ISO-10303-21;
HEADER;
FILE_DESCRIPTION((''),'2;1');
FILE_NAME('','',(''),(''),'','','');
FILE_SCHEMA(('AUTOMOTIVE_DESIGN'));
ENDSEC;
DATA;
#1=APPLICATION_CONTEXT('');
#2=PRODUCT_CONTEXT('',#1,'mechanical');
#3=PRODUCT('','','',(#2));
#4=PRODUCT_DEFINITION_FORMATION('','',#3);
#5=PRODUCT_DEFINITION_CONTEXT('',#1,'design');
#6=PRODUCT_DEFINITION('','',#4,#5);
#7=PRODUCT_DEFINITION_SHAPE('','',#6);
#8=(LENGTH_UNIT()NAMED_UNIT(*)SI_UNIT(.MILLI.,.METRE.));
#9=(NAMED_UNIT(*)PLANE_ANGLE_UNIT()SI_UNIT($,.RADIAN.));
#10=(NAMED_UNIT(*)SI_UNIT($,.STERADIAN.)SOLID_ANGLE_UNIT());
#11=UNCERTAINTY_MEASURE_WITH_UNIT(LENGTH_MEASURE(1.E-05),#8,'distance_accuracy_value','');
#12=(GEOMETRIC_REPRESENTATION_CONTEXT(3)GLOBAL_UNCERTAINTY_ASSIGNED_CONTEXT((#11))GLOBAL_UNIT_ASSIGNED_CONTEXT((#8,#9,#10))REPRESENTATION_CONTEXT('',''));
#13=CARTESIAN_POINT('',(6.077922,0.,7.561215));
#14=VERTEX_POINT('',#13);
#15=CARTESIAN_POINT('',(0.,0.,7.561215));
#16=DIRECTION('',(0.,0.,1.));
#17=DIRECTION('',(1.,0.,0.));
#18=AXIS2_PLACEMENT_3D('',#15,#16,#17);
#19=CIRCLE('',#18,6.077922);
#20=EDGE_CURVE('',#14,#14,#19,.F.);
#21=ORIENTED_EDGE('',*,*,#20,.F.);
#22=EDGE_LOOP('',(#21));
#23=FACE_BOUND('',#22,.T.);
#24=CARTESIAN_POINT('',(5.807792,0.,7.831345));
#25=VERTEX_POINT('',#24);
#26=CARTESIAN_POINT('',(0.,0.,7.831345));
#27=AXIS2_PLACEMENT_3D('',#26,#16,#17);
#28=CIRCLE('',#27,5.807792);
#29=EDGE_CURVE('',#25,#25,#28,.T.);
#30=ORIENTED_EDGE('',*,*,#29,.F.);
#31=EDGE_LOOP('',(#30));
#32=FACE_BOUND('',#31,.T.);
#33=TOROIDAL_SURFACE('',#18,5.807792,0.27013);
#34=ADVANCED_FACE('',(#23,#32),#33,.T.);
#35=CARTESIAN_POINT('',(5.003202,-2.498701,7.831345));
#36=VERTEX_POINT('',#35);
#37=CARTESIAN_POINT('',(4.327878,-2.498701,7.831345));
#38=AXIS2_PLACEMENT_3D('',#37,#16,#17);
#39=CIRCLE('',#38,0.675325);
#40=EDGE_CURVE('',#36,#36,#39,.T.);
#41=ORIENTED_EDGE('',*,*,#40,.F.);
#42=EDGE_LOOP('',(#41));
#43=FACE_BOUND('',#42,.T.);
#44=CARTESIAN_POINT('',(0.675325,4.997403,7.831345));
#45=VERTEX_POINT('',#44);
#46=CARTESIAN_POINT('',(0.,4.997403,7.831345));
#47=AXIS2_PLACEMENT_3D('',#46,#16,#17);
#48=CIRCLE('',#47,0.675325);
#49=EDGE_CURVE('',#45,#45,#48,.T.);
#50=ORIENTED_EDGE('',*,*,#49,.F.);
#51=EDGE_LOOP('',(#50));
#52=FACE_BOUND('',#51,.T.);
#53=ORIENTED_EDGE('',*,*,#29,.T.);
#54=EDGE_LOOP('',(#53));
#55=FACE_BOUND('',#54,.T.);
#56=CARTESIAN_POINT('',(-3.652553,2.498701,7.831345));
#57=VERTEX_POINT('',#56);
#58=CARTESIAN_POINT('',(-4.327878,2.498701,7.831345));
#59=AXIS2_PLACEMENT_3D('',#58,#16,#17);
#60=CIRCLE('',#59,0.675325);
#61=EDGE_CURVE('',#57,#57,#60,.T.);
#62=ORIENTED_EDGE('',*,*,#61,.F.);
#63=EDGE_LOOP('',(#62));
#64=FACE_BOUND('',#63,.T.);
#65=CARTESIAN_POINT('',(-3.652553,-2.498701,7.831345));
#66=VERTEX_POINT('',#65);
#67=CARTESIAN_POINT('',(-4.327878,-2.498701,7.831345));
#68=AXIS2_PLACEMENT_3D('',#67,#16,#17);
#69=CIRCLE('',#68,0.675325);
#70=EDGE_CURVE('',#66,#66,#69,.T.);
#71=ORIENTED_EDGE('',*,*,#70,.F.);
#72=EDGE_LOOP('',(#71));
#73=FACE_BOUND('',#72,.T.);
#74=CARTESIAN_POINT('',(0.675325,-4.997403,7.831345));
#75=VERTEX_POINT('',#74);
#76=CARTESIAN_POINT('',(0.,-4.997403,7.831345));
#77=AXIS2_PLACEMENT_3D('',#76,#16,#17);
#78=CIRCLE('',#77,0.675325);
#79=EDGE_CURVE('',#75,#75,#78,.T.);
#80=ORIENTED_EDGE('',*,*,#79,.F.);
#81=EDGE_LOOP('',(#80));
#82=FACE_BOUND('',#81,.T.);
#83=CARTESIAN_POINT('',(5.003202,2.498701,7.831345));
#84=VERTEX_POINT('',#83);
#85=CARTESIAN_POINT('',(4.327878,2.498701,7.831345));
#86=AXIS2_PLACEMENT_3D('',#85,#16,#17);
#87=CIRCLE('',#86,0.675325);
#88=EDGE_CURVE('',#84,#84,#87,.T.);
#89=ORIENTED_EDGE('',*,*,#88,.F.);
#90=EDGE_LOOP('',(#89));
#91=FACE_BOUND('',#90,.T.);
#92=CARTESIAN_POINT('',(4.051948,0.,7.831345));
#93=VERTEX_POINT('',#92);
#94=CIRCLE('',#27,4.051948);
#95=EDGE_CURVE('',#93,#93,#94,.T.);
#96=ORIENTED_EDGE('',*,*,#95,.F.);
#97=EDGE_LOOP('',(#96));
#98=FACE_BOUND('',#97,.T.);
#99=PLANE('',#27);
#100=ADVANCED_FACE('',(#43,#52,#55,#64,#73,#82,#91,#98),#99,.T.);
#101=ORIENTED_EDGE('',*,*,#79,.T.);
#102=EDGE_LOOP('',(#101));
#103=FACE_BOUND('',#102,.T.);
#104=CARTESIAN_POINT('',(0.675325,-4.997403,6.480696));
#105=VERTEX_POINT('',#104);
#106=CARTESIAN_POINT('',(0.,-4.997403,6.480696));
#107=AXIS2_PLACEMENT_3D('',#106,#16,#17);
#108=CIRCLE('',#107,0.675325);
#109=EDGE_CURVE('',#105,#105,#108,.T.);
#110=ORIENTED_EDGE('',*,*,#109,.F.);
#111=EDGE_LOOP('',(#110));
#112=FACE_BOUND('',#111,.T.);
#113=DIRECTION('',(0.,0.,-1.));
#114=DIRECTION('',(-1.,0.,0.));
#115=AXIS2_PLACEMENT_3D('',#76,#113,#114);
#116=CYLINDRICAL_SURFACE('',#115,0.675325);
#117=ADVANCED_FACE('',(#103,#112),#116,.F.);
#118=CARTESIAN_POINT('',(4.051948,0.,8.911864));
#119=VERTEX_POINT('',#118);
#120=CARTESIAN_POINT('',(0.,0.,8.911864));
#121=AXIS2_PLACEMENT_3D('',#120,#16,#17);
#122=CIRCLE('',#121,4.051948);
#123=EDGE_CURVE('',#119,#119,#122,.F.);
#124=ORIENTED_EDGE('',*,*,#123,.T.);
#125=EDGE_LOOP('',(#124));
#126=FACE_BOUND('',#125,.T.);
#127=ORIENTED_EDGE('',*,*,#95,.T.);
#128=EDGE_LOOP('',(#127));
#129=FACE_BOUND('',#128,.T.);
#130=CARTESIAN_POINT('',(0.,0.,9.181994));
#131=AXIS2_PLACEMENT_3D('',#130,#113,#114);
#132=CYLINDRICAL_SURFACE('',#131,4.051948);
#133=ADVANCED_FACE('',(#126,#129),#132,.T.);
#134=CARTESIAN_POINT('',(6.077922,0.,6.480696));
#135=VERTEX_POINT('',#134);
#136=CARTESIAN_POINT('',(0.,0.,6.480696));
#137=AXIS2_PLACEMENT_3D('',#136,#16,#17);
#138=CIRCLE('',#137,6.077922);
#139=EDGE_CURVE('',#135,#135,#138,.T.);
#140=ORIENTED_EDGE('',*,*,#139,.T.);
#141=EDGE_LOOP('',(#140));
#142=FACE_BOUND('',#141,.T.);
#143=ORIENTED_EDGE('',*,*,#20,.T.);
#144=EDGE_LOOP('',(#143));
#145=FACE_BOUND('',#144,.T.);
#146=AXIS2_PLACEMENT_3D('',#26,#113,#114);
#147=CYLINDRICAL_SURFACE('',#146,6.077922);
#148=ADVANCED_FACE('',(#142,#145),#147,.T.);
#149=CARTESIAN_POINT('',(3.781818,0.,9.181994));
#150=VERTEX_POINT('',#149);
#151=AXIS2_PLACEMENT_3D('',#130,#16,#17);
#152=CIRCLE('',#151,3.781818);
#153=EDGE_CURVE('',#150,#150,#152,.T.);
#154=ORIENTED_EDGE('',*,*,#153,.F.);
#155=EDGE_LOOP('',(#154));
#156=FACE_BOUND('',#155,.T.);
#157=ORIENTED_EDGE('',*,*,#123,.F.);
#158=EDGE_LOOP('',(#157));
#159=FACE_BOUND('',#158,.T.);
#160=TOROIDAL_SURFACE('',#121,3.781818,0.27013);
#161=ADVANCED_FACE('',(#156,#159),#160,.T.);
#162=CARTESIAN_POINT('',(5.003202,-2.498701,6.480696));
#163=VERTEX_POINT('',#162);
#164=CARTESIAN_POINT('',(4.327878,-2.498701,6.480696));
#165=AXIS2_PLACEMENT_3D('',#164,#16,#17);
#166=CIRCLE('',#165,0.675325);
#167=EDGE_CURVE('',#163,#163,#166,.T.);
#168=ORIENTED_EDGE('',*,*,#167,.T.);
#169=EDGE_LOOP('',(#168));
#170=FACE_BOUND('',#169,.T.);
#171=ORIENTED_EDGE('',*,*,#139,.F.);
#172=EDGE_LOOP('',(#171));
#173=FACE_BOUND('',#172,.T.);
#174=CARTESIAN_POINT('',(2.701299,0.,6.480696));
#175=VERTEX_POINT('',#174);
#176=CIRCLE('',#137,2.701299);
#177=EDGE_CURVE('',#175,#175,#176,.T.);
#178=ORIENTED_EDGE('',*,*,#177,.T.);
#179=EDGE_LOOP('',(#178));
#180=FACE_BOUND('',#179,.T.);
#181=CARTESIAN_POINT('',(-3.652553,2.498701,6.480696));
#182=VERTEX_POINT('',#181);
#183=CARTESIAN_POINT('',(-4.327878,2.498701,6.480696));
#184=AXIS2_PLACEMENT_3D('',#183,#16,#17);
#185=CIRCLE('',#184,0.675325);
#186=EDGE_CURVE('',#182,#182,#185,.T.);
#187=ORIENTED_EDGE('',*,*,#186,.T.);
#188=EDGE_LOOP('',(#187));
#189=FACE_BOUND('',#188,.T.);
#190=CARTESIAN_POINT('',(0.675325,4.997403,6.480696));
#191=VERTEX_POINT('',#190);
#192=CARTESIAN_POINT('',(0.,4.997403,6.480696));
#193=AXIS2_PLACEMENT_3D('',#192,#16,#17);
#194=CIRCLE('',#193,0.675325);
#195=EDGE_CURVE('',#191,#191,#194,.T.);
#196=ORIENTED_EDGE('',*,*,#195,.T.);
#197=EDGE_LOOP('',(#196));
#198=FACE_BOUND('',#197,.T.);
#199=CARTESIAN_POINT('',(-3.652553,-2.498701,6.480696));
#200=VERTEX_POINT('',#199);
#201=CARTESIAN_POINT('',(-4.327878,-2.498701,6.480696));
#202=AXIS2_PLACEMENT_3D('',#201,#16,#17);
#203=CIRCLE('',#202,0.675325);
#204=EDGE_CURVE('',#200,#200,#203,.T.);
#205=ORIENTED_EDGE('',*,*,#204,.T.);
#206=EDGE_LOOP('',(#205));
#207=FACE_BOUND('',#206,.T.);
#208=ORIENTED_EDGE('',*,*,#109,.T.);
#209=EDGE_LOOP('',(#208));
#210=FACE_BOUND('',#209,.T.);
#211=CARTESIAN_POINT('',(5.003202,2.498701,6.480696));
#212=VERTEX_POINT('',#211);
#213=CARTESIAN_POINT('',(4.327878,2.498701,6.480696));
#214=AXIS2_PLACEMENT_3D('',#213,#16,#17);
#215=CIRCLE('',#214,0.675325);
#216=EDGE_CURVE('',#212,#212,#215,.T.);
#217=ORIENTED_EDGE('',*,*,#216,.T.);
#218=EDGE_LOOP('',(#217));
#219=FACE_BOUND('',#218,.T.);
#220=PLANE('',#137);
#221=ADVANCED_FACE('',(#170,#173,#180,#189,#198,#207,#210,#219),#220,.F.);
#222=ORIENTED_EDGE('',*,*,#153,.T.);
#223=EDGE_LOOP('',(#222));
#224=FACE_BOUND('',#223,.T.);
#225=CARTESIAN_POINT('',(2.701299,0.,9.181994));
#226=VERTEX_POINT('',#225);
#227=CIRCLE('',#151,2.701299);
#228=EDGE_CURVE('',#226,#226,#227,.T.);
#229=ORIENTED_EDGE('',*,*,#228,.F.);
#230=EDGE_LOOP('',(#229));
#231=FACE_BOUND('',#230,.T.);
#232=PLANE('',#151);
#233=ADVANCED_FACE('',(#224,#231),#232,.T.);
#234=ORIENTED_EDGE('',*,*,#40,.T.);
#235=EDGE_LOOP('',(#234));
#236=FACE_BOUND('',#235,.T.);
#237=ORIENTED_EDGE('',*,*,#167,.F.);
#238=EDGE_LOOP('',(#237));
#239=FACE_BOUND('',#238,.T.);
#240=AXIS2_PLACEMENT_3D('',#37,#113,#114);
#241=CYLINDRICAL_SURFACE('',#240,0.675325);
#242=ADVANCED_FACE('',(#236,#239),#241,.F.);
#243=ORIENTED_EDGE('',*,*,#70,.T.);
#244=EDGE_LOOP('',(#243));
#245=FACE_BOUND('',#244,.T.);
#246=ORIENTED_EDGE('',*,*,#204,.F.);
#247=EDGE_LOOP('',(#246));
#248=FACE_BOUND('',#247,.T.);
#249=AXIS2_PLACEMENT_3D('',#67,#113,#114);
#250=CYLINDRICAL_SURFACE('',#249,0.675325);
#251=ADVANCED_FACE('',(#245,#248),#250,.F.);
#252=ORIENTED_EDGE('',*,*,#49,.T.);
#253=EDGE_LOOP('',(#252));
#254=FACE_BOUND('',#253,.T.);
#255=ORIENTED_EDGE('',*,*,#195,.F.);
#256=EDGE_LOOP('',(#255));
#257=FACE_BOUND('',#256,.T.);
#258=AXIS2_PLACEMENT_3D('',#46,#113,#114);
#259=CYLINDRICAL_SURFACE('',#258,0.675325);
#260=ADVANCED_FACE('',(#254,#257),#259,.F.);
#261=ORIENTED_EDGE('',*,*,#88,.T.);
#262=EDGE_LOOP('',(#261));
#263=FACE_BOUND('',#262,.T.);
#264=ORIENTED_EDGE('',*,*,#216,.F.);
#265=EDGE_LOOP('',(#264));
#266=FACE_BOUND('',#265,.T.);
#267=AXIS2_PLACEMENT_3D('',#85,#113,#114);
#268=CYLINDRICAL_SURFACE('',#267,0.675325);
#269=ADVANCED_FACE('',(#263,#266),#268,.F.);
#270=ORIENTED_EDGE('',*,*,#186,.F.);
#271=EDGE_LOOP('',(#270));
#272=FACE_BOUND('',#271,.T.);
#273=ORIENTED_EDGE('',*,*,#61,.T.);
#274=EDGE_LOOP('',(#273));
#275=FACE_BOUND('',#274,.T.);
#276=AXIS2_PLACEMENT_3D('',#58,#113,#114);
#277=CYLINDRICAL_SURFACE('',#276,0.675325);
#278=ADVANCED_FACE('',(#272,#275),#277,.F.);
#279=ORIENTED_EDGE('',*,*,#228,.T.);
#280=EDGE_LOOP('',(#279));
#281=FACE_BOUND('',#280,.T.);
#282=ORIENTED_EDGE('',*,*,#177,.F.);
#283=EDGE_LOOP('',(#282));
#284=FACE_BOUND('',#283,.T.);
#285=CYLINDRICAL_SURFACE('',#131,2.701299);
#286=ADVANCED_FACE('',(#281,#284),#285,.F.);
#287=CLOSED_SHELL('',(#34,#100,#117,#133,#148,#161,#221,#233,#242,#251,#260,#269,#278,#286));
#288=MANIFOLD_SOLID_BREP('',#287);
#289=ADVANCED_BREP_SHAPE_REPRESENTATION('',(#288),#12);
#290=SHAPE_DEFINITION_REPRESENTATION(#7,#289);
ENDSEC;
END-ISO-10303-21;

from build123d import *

# Parameters (mm, degrees)
SKETCH1_R           = 45
SKETCH1_R_2         = 5
SKETCH1_R_3         = 30
BOSS_EXTRUDE1_DEPTH = 10
SKETCH1_3_R         = 30
SKETCH1_3_R_2       = 20
BOSS_EXTRUDE2_DEPTH = 20
FILLET1_R           = 2
SCALE_1_SCALE       = 0.135064935


with BuildPart() as part:
    # Sketch1 → Boss-Extrude1 (new body)
    with BuildSketch(Plane.XY):
        Circle(SKETCH1_R)
        with Locations((0, -37)):
            Circle(SKETCH1_R_2, mode=Mode.SUBTRACT)
        with Locations((-32.04293994, -18.5)):
            Circle(SKETCH1_R_2, mode=Mode.SUBTRACT)
        with Locations((32.04293994, -18.5)):
            Circle(SKETCH1_R_2, mode=Mode.SUBTRACT)
        with Locations((-32.04293994, 18.5)):
            Circle(SKETCH1_R_2, mode=Mode.SUBTRACT)
        Circle(SKETCH1_R_3, mode=Mode.SUBTRACT)
        with Locations((32.04293994, 18.5)):
            Circle(SKETCH1_R_2, mode=Mode.SUBTRACT)
        with Locations((0, 37)):
            Circle(SKETCH1_R_2, mode=Mode.SUBTRACT)
    extrude(amount=BOSS_EXTRUDE1_DEPTH)

    # Sketch1<3> → Boss-Extrude2 (add)
    with BuildSketch(Plane.XY):
        Circle(SKETCH1_3_R)
        Circle(SKETCH1_3_R_2, mode=Mode.SUBTRACT)
    extrude(amount=BOSS_EXTRUDE2_DEPTH)

    # Fillet1
    fillet1_edges = [part.edges().sort_by_distance(p)[0] for p in [
        (-45, 0, 10),
        (-30, 0, 20),
    ]]
    fillet(fillet1_edges, radius=FILLET1_R)


with BuildPart() as part_1:
    # 缩放比例1: scaled about (0, 0, 7.492696154)
    add(part.part.scale(SCALE_1_SCALE).moved(Location((0, 0, 6.480695634))))


solid = part_1.part
